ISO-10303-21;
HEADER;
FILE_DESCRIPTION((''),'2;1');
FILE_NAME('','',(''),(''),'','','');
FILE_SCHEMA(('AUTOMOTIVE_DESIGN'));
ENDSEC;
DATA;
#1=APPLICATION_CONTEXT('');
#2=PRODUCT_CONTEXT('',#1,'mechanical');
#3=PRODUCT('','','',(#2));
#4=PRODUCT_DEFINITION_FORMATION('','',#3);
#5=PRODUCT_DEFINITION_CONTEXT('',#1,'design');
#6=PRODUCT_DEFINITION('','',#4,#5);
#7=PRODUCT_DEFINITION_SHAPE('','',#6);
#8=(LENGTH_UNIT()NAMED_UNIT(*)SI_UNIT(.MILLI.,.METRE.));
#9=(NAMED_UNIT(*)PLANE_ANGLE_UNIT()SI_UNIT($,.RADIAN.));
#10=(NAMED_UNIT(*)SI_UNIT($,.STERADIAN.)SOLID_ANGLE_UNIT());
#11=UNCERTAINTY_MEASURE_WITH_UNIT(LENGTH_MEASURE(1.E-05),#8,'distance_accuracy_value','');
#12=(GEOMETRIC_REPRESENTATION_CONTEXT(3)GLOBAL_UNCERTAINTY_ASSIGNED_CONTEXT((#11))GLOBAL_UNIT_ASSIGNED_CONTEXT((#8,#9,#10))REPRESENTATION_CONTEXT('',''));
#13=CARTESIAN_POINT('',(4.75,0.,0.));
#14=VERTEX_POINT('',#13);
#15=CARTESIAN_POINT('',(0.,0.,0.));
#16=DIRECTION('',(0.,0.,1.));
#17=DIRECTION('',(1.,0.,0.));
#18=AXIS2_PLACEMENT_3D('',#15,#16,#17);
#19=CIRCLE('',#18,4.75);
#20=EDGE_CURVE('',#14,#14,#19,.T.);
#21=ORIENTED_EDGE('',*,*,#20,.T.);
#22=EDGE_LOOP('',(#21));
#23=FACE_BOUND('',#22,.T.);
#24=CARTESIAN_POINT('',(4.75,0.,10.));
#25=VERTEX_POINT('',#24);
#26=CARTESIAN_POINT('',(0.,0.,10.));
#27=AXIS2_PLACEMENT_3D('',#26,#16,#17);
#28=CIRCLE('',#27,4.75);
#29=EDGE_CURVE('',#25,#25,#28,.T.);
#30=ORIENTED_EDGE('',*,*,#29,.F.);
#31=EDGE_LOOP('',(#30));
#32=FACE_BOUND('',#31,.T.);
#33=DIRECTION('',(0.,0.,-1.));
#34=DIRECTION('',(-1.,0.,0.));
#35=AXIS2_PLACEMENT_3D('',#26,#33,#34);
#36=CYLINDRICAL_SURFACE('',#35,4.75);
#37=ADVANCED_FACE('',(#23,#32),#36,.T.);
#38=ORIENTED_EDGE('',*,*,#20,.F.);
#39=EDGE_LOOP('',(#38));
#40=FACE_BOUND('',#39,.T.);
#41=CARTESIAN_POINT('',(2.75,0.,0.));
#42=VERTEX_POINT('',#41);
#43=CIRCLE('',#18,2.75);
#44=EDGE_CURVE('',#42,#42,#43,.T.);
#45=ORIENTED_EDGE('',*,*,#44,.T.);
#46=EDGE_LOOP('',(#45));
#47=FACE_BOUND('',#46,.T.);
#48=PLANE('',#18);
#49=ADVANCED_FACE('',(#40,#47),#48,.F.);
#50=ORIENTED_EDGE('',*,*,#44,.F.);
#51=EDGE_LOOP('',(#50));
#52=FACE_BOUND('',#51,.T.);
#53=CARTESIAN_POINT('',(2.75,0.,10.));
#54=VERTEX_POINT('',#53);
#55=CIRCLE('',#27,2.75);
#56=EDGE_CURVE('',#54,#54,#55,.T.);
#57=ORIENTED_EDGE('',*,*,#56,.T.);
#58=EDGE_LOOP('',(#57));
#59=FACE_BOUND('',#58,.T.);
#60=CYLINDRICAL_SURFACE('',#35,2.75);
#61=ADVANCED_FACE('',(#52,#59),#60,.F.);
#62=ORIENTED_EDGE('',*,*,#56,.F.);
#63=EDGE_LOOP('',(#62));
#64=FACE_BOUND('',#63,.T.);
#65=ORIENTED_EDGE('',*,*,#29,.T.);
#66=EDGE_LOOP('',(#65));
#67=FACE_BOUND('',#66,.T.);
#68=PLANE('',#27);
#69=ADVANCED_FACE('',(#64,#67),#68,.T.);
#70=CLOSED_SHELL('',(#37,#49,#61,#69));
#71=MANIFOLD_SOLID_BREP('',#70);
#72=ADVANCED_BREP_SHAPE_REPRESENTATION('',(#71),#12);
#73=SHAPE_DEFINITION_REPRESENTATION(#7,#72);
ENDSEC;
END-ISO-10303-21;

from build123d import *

# Parameters (mm, degrees)
CROQUIS1_R              = 4.75
CROQUIS1_R_2            = 2.75
SALIENTE_EXTRUIR1_DEPTH = 10


with BuildPart() as part:
    # Croquis1 → Saliente-Extruir1 (new body)
    with BuildSketch(Plane.XY):
        Circle(CROQUIS1_R)
        Circle(CROQUIS1_R_2, mode=Mode.SUBTRACT)
    extrude(amount=SALIENTE_EXTRUIR1_DEPTH)


solid = part.part
